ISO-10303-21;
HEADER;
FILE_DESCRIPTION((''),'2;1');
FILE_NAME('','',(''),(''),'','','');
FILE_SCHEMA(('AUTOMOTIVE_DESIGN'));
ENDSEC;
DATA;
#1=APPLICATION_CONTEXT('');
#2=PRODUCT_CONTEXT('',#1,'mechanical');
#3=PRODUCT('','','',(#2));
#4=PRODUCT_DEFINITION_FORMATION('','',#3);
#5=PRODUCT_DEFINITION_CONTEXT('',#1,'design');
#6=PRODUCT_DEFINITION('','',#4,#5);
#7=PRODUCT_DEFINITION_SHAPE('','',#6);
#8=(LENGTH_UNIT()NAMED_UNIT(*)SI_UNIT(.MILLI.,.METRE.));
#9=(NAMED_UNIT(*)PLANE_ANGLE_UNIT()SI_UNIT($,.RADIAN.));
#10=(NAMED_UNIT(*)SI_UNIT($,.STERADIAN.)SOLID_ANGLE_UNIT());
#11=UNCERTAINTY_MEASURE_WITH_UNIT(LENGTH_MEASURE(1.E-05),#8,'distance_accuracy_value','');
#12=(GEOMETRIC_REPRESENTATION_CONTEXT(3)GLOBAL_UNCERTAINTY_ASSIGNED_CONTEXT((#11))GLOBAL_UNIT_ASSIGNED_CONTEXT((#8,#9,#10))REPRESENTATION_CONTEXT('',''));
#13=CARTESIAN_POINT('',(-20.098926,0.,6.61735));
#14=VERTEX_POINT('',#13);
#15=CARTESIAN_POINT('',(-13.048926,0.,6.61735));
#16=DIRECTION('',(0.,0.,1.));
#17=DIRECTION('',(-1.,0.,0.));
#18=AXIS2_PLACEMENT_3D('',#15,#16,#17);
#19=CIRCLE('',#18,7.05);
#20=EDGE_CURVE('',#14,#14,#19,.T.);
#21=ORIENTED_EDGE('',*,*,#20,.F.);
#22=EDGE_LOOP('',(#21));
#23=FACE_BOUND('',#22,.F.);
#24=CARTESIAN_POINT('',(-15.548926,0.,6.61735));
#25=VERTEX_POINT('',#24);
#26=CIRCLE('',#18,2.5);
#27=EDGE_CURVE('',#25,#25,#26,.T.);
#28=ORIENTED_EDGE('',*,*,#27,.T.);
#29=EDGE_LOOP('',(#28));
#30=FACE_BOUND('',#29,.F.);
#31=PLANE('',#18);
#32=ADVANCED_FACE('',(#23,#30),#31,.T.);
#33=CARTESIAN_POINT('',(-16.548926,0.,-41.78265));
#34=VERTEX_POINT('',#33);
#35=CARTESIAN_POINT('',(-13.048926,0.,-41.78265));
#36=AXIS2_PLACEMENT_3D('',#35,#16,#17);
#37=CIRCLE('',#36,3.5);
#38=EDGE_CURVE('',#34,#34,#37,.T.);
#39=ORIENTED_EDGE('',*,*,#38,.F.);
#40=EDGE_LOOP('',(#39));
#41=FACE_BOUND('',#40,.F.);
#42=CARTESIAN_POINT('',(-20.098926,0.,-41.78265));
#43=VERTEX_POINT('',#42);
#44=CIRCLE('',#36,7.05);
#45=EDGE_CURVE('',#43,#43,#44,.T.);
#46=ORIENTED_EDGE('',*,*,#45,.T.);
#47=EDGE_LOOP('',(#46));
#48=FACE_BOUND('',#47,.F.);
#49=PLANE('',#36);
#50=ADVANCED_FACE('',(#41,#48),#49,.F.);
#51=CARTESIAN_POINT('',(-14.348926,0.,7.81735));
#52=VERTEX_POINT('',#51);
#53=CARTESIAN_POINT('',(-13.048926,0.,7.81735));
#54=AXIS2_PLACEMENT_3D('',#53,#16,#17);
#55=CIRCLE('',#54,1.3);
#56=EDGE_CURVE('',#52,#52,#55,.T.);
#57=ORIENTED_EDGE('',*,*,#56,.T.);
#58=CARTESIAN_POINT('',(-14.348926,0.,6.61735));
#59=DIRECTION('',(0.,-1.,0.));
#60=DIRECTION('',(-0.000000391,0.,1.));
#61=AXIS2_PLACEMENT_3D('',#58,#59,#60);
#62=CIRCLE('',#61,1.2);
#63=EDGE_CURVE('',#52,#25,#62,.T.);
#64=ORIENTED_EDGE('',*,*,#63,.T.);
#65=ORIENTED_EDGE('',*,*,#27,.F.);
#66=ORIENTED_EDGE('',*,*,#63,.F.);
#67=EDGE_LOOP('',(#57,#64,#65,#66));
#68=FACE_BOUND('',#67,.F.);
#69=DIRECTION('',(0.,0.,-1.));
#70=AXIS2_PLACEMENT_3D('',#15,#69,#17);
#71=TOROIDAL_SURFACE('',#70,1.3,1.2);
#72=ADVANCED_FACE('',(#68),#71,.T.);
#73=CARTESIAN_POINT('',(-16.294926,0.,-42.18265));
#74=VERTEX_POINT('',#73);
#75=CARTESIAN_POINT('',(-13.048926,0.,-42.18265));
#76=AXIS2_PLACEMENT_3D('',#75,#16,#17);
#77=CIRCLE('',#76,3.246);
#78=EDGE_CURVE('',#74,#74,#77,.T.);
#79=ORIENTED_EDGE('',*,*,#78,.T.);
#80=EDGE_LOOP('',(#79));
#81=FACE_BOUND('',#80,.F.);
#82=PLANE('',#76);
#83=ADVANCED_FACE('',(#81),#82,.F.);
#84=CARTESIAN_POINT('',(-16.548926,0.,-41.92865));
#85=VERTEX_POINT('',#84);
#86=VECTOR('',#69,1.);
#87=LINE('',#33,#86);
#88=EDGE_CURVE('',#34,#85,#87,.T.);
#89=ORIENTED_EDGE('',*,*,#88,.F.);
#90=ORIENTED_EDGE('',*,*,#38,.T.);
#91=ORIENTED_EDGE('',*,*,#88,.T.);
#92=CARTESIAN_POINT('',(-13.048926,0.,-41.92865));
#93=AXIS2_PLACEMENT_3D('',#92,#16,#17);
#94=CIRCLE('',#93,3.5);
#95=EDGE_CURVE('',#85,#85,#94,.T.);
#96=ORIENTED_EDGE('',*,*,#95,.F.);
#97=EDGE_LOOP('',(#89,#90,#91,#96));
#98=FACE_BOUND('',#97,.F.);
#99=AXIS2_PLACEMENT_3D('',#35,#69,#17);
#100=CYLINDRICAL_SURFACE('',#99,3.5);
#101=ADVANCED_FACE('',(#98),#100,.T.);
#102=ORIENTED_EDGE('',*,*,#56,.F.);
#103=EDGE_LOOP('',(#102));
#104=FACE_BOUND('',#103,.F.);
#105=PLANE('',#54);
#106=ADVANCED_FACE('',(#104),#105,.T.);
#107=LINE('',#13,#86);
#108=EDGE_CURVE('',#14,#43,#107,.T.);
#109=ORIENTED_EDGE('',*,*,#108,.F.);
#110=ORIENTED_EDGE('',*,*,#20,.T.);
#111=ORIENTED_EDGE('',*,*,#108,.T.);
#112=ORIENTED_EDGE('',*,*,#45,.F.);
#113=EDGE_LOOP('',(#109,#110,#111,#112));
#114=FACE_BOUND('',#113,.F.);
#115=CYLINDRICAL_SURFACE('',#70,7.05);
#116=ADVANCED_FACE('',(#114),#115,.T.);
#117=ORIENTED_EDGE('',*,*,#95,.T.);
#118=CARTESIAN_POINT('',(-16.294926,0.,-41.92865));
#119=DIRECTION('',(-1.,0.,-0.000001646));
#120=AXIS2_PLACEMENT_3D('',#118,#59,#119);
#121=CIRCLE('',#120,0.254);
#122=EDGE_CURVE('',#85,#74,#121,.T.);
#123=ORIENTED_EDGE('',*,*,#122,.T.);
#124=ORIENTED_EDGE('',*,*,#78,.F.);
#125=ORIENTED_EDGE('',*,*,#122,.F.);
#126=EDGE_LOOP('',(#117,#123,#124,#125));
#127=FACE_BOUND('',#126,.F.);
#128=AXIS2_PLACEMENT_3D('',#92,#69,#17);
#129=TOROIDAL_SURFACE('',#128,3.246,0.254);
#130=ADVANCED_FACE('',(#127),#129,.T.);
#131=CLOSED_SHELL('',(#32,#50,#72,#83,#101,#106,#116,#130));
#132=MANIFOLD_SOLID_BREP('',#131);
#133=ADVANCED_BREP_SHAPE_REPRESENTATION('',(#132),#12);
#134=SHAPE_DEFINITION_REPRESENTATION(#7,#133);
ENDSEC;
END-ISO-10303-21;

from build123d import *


with BuildPart() as f1:
    # F0 (on Front) → F1 (revolve)
    with BuildSketch(Plane.XZ):
        with BuildLine():
            Line((-15.548926, 6.61735), (-20.098926, 6.61735))
            Line((-20.098926, 6.61735), (-20.098926, -41.78265))
            Line((-20.098926, -41.78265), (-16.548926, -41.78265))
            Line((-16.548926, -41.78265), (-13.048926, -41.78265))
            Line((-13.048926, -41.78265), (-13.048926, 6.61735))
            Line((-13.048926, 6.61735), (-13.048926, 7.81735))
            Line((-13.048926, 7.81735), (-14.348926, 7.81735))
            ThreePointArc((-14.348926, 7.81735), (-15.197454, 7.465878), (-15.548926, 6.61735))
        make_face()
        with BuildLine():
            Line((-13.048926, -41.78265), (-16.548926, -41.78265))
            Line((-16.548926, -41.78265), (-16.548926, -41.92865))
            ThreePointArc((-16.548926, -41.92865), (-16.474531, -42.108255), (-16.294926, -42.18265))
            Line((-16.294926, -42.18265), (-13.048926, -42.18265))
            Line((-13.048926, -42.18265), (-13.048926, -41.78265))
        make_face()
    revolve(axis=Axis((-13.048926, 0, -17.58265), (0, 0, 1)))


solid = f1.part
